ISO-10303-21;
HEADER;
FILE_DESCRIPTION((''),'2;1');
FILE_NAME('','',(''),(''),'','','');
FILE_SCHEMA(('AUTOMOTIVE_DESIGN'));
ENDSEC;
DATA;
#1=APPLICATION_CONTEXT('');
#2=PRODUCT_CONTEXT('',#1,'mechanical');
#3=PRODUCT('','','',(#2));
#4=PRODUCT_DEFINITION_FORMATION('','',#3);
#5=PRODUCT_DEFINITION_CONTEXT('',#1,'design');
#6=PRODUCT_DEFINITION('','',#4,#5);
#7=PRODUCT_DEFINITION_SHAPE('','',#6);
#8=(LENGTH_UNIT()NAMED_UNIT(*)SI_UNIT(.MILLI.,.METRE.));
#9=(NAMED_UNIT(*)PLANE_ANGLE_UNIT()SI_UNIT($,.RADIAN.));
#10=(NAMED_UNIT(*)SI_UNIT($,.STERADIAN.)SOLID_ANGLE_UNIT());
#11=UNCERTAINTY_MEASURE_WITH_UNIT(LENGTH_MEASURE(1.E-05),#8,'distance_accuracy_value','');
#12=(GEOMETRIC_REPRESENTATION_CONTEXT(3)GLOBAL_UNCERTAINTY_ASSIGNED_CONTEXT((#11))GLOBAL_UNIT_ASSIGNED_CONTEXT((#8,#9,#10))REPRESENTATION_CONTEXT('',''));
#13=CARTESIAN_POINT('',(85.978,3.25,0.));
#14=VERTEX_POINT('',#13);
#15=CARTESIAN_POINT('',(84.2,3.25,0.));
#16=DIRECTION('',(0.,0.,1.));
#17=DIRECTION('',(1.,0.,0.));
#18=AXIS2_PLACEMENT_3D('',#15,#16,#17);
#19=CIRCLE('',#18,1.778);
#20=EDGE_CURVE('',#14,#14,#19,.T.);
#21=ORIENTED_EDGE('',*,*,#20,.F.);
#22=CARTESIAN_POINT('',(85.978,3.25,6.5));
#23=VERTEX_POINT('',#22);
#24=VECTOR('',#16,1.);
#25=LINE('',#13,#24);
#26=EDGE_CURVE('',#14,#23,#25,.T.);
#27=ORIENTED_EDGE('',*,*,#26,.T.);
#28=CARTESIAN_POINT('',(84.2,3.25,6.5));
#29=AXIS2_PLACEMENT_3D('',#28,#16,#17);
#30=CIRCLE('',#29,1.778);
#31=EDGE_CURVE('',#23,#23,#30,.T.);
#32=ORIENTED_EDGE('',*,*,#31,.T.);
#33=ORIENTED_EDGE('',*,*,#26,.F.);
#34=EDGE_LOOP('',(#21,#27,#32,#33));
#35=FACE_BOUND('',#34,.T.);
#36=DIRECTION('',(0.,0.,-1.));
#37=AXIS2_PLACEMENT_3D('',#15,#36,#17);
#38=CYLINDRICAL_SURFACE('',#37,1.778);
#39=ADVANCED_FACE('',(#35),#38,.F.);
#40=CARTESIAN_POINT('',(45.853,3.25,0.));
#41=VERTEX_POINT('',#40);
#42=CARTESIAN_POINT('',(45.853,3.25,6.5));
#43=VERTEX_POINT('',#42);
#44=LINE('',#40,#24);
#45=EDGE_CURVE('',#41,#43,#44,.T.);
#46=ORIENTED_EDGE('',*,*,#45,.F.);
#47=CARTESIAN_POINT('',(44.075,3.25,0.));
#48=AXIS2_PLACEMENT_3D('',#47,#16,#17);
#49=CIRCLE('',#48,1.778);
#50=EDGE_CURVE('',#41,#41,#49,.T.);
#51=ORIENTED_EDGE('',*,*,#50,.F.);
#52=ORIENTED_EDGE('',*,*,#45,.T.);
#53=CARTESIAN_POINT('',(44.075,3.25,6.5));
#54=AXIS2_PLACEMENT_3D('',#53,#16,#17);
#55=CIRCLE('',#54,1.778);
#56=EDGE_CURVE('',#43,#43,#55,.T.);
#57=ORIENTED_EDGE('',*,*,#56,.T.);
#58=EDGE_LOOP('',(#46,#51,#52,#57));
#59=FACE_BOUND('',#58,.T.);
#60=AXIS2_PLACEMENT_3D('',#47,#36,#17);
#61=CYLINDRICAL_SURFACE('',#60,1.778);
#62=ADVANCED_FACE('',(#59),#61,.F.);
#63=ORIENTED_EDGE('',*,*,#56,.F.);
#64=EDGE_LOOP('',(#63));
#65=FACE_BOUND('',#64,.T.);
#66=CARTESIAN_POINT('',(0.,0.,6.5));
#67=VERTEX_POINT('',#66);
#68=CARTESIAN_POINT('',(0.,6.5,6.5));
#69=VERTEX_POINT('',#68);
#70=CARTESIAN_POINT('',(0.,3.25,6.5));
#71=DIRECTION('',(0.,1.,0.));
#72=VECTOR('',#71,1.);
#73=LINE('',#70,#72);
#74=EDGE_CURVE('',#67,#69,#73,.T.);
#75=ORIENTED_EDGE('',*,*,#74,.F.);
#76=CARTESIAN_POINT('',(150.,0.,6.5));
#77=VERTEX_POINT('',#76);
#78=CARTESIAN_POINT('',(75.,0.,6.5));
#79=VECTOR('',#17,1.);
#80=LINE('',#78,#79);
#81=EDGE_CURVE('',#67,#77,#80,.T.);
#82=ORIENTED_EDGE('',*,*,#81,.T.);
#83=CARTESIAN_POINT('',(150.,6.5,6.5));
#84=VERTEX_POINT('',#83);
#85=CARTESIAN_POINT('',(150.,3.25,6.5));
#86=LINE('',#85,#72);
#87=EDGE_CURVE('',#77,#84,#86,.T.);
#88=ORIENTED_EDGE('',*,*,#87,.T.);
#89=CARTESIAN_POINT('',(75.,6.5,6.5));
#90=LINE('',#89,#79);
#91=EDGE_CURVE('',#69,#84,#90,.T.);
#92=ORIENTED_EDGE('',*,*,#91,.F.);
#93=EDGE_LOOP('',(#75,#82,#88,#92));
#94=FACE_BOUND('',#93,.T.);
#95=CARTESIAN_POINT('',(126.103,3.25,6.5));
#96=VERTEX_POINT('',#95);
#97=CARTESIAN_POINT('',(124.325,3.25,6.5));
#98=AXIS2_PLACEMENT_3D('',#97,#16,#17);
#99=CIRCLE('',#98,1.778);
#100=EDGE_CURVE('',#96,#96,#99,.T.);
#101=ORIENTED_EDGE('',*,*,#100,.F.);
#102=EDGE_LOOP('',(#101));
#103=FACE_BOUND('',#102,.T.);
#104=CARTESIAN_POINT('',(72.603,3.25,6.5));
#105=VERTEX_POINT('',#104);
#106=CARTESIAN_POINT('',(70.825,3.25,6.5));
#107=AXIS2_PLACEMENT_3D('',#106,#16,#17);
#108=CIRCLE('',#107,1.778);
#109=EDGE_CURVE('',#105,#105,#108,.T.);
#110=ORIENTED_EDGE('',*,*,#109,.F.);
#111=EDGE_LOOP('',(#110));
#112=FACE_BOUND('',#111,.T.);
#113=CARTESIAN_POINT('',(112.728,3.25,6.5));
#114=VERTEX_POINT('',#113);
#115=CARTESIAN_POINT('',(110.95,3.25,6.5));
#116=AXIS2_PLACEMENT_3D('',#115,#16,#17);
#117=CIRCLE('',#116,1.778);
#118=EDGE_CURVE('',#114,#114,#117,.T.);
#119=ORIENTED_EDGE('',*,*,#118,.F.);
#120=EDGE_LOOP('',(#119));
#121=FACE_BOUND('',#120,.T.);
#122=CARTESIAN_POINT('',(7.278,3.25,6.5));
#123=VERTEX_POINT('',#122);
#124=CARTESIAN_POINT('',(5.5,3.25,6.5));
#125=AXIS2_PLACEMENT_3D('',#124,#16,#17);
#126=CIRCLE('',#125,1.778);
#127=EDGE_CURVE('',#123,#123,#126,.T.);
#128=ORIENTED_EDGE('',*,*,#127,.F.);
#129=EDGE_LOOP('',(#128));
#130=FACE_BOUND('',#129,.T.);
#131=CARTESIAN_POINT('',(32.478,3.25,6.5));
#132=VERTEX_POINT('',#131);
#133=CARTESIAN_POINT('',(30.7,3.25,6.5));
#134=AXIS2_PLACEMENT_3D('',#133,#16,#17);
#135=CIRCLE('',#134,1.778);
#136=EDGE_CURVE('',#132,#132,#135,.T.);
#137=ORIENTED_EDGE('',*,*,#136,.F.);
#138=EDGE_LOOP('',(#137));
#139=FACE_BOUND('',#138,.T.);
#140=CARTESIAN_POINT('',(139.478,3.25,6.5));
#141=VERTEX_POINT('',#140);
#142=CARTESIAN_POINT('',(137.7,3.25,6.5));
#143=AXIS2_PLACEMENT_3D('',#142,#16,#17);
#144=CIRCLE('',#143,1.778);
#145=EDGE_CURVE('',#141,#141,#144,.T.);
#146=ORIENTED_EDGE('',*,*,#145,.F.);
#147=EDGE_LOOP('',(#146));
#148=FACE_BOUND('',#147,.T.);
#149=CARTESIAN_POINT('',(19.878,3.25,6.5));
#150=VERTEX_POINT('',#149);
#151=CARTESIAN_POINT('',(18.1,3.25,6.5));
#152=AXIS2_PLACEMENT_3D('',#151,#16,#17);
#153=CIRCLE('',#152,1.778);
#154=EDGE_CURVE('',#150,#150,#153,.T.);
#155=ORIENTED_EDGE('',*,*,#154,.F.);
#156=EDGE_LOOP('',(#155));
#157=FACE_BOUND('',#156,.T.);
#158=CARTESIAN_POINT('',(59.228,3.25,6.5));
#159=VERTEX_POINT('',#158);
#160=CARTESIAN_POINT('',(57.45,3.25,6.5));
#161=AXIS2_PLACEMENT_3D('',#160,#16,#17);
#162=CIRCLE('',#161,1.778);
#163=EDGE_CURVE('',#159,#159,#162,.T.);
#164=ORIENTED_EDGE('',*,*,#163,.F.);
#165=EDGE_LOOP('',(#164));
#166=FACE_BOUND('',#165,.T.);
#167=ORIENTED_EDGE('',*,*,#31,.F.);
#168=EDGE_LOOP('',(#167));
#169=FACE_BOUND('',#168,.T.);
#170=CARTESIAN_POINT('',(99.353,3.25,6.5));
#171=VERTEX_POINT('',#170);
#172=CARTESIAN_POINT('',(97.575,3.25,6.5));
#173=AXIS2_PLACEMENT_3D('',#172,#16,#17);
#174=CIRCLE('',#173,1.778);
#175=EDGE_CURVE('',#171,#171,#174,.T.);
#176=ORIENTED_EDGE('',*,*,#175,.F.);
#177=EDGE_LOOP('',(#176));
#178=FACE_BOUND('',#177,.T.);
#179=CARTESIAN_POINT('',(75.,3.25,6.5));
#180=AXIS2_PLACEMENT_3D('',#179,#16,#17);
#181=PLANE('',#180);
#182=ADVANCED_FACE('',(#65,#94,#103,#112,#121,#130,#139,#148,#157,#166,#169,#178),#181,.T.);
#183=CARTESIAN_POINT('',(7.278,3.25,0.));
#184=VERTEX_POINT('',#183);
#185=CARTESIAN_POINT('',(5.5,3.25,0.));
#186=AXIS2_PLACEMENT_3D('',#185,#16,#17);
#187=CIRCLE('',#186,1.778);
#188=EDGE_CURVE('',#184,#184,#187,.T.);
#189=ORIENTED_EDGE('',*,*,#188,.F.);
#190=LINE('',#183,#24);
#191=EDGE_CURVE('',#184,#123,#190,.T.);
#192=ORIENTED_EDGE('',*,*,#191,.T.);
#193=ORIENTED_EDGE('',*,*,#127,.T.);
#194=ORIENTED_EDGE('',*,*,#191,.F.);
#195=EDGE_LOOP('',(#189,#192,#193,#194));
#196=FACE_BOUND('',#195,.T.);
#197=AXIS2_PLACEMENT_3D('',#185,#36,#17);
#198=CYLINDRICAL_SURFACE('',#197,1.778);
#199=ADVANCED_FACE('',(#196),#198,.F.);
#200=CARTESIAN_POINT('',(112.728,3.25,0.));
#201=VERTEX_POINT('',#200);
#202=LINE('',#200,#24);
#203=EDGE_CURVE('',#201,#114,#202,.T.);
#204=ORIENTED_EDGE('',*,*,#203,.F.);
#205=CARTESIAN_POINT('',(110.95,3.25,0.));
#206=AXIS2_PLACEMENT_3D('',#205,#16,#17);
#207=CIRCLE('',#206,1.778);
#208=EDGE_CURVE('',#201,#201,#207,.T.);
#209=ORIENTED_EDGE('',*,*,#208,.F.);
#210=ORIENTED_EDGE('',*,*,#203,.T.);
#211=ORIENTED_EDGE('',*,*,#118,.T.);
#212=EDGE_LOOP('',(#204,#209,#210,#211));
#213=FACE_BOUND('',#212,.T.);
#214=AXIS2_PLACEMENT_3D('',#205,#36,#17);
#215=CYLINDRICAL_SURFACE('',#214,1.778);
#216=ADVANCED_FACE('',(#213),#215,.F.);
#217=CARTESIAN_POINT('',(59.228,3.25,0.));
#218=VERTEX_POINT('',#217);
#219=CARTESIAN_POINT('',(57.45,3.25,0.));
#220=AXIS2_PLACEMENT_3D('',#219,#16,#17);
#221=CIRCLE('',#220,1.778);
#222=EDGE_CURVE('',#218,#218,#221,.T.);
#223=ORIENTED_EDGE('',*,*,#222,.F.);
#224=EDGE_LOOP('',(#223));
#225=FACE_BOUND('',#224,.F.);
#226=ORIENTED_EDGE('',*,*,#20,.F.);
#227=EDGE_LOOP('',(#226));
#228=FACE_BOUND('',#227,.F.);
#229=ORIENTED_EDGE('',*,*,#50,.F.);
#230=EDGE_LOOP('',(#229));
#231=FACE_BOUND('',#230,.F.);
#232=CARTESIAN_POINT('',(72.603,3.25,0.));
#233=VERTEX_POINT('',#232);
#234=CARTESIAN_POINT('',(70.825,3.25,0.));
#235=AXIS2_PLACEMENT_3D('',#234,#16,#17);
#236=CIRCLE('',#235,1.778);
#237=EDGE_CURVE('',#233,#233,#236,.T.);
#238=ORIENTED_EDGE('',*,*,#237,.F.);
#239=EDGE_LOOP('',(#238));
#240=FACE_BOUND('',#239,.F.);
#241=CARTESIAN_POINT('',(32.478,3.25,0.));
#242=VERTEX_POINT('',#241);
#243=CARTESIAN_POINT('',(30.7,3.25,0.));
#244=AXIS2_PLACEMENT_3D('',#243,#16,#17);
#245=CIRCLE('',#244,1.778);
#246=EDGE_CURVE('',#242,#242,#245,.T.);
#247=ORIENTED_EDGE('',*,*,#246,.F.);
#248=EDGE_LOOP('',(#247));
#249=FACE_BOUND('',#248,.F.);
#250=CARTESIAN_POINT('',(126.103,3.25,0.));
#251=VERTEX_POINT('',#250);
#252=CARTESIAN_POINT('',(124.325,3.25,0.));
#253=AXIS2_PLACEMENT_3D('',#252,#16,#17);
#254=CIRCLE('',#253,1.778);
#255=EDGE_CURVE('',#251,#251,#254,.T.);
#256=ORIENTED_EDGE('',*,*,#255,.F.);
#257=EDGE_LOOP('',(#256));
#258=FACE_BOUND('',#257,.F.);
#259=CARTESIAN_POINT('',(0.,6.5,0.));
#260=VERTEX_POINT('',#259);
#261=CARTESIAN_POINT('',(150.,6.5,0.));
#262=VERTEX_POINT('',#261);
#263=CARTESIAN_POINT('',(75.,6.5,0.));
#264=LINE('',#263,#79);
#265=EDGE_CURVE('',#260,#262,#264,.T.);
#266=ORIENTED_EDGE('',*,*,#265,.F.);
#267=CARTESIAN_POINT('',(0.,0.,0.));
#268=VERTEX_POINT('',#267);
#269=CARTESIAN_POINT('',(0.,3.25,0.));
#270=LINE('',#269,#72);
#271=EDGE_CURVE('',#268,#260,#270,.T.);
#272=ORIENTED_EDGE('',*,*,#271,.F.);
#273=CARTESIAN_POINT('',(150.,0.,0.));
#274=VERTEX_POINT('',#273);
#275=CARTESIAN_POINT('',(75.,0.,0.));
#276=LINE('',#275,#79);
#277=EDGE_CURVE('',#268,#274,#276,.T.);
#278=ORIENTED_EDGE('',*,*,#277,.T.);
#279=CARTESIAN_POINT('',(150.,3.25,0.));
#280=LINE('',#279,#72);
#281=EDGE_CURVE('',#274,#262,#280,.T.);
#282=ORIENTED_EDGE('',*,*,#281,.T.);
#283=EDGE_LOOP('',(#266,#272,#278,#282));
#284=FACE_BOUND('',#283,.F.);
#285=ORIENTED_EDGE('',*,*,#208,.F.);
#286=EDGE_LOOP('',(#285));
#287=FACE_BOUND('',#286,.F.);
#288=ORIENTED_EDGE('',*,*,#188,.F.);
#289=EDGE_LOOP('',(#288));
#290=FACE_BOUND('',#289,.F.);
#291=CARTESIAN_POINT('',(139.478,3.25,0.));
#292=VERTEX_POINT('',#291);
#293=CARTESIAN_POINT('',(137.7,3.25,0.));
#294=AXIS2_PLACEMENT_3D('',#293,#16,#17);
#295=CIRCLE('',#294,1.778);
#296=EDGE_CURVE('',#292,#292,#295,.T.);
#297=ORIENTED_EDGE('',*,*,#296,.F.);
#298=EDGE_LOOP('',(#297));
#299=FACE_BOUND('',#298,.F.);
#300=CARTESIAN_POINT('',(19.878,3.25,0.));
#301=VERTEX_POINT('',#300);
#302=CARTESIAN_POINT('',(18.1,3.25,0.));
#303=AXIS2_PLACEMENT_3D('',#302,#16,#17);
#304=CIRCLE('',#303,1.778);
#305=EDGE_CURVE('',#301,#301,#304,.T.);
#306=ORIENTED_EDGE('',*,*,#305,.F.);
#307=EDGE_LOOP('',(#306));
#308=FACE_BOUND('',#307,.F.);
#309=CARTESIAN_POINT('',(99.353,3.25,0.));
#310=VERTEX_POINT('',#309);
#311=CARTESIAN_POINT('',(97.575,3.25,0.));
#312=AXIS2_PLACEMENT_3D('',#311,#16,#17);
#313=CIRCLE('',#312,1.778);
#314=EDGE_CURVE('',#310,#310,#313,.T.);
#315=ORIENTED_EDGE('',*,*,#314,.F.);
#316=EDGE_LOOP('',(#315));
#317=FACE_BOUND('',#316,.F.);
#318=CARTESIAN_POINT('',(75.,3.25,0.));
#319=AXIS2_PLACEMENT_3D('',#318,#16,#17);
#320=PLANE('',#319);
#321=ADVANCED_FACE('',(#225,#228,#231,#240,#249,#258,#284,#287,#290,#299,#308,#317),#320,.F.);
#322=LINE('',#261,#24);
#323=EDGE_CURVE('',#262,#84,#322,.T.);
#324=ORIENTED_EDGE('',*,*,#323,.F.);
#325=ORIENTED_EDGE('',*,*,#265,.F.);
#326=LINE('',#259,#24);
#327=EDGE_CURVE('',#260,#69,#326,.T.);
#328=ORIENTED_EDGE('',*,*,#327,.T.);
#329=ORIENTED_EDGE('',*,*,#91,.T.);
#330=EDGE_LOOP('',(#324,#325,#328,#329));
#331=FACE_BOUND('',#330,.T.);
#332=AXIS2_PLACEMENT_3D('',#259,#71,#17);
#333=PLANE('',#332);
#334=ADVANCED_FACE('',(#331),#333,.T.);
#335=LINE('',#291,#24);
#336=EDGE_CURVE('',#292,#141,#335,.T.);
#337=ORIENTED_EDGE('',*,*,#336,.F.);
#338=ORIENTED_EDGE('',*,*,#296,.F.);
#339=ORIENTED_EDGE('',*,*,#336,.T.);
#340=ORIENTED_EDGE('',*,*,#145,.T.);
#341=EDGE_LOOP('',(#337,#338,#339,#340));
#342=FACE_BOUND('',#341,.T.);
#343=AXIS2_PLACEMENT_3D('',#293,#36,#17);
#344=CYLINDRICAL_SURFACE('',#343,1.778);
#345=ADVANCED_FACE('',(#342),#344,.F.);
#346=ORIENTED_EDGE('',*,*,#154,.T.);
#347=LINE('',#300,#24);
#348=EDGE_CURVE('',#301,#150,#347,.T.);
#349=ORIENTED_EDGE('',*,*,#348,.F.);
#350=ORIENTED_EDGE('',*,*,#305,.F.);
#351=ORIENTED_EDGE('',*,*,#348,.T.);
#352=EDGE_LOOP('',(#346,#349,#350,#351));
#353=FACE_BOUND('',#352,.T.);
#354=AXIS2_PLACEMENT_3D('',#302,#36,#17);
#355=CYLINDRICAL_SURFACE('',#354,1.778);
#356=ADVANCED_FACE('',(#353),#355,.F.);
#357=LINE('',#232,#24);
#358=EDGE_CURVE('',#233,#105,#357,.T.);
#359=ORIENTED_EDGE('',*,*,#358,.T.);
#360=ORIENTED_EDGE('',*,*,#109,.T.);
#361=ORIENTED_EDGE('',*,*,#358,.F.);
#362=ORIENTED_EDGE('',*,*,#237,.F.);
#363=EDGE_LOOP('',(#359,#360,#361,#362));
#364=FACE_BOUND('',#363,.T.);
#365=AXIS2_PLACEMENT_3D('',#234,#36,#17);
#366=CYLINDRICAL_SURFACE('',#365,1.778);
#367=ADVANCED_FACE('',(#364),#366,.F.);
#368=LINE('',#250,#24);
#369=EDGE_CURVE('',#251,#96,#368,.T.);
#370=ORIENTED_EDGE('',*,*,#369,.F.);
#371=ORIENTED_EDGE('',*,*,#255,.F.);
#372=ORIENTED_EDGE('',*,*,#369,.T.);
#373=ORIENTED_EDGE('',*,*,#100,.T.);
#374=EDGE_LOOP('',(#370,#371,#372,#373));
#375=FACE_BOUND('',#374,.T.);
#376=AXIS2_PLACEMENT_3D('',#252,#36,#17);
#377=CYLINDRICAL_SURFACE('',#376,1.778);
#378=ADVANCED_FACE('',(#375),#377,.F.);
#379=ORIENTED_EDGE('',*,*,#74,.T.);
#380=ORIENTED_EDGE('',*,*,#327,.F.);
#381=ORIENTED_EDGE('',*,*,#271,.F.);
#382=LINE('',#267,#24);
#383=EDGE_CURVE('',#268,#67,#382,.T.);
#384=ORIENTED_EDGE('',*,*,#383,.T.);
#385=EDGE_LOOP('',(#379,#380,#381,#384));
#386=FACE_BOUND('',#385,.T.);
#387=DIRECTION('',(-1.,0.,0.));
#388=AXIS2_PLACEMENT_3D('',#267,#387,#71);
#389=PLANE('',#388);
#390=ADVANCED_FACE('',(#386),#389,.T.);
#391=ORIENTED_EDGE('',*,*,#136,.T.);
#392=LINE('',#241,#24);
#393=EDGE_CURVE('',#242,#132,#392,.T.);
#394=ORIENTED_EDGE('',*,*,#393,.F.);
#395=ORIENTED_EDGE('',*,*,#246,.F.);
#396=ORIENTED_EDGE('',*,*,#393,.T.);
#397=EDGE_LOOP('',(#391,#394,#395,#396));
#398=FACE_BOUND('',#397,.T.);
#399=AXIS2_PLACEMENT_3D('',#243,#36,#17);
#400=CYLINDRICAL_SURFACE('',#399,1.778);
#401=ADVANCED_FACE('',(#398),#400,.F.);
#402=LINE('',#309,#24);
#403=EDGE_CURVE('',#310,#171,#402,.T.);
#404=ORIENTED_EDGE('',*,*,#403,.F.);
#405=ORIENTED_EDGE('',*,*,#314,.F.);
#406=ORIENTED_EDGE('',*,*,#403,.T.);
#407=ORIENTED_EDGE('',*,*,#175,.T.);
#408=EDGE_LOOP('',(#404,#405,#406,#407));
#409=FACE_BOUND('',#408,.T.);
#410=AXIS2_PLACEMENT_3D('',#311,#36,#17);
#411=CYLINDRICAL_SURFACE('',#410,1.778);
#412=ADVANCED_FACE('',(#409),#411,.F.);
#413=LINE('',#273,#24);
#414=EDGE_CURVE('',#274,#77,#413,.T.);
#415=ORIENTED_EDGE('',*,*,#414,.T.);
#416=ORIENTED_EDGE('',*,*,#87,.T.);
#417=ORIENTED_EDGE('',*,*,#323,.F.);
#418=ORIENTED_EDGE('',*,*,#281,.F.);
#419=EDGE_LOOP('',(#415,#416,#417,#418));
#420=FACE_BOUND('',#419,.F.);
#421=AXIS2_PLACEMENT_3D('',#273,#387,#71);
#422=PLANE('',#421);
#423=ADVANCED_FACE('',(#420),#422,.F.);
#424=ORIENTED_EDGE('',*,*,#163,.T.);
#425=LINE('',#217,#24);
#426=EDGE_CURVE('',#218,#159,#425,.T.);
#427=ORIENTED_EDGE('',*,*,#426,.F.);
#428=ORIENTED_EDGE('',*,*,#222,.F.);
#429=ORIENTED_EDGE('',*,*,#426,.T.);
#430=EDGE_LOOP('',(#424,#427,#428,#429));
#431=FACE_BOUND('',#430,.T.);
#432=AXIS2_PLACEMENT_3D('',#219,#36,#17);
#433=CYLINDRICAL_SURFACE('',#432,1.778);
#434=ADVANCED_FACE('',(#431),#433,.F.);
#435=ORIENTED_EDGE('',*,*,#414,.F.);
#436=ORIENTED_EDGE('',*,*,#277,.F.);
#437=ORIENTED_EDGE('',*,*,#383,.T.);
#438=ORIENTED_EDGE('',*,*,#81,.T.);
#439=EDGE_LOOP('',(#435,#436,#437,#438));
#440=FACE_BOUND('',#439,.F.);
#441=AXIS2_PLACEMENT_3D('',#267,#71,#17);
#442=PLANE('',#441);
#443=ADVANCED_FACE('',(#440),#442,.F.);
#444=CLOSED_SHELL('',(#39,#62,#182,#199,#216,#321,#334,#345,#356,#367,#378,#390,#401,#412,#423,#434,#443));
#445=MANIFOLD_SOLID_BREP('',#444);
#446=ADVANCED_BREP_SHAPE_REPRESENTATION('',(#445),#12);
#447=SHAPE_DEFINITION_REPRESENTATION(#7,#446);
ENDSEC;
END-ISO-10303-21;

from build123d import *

# Parameters (mm, degrees)
F0_W     = 150
F0_H     = 6.5
F0_R     = 1.778
F1_DEPTH = 6.5


with BuildPart() as f1:
    # F0 (on Top) → F1 (new body)
    with BuildSketch(Plane.XY):
        with Locations((75, 3.25)):
            Rectangle(F0_W, F0_H)
        with Locations((5.5, 3.25)):
            Circle(F0_R, mode=Mode.SUBTRACT)
        with Locations((18.1, 3.25)):
            Circle(F0_R, mode=Mode.SUBTRACT)
        with Locations((30.7, 3.25)):
            Circle(F0_R, mode=Mode.SUBTRACT)
        with Locations((44.075, 3.25)):
            Circle(F0_R, mode=Mode.SUBTRACT)
        with Locations((57.45, 3.25)):
            Circle(F0_R, mode=Mode.SUBTRACT)
        with Locations((70.825, 3.25)):
            Circle(F0_R, mode=Mode.SUBTRACT)
        with Locations((84.2, 3.25)):
            Circle(F0_R, mode=Mode.SUBTRACT)
        with Locations((97.575, 3.25)):
            Circle(F0_R, mode=Mode.SUBTRACT)
        with Locations((110.95, 3.25)):
            Circle(F0_R, mode=Mode.SUBTRACT)
        with Locations((124.325, 3.25)):
            Circle(F0_R, mode=Mode.SUBTRACT)
        with Locations((137.7, 3.25)):
            Circle(F0_R, mode=Mode.SUBTRACT)
    extrude(amount=F1_DEPTH)


solid = f1.part
